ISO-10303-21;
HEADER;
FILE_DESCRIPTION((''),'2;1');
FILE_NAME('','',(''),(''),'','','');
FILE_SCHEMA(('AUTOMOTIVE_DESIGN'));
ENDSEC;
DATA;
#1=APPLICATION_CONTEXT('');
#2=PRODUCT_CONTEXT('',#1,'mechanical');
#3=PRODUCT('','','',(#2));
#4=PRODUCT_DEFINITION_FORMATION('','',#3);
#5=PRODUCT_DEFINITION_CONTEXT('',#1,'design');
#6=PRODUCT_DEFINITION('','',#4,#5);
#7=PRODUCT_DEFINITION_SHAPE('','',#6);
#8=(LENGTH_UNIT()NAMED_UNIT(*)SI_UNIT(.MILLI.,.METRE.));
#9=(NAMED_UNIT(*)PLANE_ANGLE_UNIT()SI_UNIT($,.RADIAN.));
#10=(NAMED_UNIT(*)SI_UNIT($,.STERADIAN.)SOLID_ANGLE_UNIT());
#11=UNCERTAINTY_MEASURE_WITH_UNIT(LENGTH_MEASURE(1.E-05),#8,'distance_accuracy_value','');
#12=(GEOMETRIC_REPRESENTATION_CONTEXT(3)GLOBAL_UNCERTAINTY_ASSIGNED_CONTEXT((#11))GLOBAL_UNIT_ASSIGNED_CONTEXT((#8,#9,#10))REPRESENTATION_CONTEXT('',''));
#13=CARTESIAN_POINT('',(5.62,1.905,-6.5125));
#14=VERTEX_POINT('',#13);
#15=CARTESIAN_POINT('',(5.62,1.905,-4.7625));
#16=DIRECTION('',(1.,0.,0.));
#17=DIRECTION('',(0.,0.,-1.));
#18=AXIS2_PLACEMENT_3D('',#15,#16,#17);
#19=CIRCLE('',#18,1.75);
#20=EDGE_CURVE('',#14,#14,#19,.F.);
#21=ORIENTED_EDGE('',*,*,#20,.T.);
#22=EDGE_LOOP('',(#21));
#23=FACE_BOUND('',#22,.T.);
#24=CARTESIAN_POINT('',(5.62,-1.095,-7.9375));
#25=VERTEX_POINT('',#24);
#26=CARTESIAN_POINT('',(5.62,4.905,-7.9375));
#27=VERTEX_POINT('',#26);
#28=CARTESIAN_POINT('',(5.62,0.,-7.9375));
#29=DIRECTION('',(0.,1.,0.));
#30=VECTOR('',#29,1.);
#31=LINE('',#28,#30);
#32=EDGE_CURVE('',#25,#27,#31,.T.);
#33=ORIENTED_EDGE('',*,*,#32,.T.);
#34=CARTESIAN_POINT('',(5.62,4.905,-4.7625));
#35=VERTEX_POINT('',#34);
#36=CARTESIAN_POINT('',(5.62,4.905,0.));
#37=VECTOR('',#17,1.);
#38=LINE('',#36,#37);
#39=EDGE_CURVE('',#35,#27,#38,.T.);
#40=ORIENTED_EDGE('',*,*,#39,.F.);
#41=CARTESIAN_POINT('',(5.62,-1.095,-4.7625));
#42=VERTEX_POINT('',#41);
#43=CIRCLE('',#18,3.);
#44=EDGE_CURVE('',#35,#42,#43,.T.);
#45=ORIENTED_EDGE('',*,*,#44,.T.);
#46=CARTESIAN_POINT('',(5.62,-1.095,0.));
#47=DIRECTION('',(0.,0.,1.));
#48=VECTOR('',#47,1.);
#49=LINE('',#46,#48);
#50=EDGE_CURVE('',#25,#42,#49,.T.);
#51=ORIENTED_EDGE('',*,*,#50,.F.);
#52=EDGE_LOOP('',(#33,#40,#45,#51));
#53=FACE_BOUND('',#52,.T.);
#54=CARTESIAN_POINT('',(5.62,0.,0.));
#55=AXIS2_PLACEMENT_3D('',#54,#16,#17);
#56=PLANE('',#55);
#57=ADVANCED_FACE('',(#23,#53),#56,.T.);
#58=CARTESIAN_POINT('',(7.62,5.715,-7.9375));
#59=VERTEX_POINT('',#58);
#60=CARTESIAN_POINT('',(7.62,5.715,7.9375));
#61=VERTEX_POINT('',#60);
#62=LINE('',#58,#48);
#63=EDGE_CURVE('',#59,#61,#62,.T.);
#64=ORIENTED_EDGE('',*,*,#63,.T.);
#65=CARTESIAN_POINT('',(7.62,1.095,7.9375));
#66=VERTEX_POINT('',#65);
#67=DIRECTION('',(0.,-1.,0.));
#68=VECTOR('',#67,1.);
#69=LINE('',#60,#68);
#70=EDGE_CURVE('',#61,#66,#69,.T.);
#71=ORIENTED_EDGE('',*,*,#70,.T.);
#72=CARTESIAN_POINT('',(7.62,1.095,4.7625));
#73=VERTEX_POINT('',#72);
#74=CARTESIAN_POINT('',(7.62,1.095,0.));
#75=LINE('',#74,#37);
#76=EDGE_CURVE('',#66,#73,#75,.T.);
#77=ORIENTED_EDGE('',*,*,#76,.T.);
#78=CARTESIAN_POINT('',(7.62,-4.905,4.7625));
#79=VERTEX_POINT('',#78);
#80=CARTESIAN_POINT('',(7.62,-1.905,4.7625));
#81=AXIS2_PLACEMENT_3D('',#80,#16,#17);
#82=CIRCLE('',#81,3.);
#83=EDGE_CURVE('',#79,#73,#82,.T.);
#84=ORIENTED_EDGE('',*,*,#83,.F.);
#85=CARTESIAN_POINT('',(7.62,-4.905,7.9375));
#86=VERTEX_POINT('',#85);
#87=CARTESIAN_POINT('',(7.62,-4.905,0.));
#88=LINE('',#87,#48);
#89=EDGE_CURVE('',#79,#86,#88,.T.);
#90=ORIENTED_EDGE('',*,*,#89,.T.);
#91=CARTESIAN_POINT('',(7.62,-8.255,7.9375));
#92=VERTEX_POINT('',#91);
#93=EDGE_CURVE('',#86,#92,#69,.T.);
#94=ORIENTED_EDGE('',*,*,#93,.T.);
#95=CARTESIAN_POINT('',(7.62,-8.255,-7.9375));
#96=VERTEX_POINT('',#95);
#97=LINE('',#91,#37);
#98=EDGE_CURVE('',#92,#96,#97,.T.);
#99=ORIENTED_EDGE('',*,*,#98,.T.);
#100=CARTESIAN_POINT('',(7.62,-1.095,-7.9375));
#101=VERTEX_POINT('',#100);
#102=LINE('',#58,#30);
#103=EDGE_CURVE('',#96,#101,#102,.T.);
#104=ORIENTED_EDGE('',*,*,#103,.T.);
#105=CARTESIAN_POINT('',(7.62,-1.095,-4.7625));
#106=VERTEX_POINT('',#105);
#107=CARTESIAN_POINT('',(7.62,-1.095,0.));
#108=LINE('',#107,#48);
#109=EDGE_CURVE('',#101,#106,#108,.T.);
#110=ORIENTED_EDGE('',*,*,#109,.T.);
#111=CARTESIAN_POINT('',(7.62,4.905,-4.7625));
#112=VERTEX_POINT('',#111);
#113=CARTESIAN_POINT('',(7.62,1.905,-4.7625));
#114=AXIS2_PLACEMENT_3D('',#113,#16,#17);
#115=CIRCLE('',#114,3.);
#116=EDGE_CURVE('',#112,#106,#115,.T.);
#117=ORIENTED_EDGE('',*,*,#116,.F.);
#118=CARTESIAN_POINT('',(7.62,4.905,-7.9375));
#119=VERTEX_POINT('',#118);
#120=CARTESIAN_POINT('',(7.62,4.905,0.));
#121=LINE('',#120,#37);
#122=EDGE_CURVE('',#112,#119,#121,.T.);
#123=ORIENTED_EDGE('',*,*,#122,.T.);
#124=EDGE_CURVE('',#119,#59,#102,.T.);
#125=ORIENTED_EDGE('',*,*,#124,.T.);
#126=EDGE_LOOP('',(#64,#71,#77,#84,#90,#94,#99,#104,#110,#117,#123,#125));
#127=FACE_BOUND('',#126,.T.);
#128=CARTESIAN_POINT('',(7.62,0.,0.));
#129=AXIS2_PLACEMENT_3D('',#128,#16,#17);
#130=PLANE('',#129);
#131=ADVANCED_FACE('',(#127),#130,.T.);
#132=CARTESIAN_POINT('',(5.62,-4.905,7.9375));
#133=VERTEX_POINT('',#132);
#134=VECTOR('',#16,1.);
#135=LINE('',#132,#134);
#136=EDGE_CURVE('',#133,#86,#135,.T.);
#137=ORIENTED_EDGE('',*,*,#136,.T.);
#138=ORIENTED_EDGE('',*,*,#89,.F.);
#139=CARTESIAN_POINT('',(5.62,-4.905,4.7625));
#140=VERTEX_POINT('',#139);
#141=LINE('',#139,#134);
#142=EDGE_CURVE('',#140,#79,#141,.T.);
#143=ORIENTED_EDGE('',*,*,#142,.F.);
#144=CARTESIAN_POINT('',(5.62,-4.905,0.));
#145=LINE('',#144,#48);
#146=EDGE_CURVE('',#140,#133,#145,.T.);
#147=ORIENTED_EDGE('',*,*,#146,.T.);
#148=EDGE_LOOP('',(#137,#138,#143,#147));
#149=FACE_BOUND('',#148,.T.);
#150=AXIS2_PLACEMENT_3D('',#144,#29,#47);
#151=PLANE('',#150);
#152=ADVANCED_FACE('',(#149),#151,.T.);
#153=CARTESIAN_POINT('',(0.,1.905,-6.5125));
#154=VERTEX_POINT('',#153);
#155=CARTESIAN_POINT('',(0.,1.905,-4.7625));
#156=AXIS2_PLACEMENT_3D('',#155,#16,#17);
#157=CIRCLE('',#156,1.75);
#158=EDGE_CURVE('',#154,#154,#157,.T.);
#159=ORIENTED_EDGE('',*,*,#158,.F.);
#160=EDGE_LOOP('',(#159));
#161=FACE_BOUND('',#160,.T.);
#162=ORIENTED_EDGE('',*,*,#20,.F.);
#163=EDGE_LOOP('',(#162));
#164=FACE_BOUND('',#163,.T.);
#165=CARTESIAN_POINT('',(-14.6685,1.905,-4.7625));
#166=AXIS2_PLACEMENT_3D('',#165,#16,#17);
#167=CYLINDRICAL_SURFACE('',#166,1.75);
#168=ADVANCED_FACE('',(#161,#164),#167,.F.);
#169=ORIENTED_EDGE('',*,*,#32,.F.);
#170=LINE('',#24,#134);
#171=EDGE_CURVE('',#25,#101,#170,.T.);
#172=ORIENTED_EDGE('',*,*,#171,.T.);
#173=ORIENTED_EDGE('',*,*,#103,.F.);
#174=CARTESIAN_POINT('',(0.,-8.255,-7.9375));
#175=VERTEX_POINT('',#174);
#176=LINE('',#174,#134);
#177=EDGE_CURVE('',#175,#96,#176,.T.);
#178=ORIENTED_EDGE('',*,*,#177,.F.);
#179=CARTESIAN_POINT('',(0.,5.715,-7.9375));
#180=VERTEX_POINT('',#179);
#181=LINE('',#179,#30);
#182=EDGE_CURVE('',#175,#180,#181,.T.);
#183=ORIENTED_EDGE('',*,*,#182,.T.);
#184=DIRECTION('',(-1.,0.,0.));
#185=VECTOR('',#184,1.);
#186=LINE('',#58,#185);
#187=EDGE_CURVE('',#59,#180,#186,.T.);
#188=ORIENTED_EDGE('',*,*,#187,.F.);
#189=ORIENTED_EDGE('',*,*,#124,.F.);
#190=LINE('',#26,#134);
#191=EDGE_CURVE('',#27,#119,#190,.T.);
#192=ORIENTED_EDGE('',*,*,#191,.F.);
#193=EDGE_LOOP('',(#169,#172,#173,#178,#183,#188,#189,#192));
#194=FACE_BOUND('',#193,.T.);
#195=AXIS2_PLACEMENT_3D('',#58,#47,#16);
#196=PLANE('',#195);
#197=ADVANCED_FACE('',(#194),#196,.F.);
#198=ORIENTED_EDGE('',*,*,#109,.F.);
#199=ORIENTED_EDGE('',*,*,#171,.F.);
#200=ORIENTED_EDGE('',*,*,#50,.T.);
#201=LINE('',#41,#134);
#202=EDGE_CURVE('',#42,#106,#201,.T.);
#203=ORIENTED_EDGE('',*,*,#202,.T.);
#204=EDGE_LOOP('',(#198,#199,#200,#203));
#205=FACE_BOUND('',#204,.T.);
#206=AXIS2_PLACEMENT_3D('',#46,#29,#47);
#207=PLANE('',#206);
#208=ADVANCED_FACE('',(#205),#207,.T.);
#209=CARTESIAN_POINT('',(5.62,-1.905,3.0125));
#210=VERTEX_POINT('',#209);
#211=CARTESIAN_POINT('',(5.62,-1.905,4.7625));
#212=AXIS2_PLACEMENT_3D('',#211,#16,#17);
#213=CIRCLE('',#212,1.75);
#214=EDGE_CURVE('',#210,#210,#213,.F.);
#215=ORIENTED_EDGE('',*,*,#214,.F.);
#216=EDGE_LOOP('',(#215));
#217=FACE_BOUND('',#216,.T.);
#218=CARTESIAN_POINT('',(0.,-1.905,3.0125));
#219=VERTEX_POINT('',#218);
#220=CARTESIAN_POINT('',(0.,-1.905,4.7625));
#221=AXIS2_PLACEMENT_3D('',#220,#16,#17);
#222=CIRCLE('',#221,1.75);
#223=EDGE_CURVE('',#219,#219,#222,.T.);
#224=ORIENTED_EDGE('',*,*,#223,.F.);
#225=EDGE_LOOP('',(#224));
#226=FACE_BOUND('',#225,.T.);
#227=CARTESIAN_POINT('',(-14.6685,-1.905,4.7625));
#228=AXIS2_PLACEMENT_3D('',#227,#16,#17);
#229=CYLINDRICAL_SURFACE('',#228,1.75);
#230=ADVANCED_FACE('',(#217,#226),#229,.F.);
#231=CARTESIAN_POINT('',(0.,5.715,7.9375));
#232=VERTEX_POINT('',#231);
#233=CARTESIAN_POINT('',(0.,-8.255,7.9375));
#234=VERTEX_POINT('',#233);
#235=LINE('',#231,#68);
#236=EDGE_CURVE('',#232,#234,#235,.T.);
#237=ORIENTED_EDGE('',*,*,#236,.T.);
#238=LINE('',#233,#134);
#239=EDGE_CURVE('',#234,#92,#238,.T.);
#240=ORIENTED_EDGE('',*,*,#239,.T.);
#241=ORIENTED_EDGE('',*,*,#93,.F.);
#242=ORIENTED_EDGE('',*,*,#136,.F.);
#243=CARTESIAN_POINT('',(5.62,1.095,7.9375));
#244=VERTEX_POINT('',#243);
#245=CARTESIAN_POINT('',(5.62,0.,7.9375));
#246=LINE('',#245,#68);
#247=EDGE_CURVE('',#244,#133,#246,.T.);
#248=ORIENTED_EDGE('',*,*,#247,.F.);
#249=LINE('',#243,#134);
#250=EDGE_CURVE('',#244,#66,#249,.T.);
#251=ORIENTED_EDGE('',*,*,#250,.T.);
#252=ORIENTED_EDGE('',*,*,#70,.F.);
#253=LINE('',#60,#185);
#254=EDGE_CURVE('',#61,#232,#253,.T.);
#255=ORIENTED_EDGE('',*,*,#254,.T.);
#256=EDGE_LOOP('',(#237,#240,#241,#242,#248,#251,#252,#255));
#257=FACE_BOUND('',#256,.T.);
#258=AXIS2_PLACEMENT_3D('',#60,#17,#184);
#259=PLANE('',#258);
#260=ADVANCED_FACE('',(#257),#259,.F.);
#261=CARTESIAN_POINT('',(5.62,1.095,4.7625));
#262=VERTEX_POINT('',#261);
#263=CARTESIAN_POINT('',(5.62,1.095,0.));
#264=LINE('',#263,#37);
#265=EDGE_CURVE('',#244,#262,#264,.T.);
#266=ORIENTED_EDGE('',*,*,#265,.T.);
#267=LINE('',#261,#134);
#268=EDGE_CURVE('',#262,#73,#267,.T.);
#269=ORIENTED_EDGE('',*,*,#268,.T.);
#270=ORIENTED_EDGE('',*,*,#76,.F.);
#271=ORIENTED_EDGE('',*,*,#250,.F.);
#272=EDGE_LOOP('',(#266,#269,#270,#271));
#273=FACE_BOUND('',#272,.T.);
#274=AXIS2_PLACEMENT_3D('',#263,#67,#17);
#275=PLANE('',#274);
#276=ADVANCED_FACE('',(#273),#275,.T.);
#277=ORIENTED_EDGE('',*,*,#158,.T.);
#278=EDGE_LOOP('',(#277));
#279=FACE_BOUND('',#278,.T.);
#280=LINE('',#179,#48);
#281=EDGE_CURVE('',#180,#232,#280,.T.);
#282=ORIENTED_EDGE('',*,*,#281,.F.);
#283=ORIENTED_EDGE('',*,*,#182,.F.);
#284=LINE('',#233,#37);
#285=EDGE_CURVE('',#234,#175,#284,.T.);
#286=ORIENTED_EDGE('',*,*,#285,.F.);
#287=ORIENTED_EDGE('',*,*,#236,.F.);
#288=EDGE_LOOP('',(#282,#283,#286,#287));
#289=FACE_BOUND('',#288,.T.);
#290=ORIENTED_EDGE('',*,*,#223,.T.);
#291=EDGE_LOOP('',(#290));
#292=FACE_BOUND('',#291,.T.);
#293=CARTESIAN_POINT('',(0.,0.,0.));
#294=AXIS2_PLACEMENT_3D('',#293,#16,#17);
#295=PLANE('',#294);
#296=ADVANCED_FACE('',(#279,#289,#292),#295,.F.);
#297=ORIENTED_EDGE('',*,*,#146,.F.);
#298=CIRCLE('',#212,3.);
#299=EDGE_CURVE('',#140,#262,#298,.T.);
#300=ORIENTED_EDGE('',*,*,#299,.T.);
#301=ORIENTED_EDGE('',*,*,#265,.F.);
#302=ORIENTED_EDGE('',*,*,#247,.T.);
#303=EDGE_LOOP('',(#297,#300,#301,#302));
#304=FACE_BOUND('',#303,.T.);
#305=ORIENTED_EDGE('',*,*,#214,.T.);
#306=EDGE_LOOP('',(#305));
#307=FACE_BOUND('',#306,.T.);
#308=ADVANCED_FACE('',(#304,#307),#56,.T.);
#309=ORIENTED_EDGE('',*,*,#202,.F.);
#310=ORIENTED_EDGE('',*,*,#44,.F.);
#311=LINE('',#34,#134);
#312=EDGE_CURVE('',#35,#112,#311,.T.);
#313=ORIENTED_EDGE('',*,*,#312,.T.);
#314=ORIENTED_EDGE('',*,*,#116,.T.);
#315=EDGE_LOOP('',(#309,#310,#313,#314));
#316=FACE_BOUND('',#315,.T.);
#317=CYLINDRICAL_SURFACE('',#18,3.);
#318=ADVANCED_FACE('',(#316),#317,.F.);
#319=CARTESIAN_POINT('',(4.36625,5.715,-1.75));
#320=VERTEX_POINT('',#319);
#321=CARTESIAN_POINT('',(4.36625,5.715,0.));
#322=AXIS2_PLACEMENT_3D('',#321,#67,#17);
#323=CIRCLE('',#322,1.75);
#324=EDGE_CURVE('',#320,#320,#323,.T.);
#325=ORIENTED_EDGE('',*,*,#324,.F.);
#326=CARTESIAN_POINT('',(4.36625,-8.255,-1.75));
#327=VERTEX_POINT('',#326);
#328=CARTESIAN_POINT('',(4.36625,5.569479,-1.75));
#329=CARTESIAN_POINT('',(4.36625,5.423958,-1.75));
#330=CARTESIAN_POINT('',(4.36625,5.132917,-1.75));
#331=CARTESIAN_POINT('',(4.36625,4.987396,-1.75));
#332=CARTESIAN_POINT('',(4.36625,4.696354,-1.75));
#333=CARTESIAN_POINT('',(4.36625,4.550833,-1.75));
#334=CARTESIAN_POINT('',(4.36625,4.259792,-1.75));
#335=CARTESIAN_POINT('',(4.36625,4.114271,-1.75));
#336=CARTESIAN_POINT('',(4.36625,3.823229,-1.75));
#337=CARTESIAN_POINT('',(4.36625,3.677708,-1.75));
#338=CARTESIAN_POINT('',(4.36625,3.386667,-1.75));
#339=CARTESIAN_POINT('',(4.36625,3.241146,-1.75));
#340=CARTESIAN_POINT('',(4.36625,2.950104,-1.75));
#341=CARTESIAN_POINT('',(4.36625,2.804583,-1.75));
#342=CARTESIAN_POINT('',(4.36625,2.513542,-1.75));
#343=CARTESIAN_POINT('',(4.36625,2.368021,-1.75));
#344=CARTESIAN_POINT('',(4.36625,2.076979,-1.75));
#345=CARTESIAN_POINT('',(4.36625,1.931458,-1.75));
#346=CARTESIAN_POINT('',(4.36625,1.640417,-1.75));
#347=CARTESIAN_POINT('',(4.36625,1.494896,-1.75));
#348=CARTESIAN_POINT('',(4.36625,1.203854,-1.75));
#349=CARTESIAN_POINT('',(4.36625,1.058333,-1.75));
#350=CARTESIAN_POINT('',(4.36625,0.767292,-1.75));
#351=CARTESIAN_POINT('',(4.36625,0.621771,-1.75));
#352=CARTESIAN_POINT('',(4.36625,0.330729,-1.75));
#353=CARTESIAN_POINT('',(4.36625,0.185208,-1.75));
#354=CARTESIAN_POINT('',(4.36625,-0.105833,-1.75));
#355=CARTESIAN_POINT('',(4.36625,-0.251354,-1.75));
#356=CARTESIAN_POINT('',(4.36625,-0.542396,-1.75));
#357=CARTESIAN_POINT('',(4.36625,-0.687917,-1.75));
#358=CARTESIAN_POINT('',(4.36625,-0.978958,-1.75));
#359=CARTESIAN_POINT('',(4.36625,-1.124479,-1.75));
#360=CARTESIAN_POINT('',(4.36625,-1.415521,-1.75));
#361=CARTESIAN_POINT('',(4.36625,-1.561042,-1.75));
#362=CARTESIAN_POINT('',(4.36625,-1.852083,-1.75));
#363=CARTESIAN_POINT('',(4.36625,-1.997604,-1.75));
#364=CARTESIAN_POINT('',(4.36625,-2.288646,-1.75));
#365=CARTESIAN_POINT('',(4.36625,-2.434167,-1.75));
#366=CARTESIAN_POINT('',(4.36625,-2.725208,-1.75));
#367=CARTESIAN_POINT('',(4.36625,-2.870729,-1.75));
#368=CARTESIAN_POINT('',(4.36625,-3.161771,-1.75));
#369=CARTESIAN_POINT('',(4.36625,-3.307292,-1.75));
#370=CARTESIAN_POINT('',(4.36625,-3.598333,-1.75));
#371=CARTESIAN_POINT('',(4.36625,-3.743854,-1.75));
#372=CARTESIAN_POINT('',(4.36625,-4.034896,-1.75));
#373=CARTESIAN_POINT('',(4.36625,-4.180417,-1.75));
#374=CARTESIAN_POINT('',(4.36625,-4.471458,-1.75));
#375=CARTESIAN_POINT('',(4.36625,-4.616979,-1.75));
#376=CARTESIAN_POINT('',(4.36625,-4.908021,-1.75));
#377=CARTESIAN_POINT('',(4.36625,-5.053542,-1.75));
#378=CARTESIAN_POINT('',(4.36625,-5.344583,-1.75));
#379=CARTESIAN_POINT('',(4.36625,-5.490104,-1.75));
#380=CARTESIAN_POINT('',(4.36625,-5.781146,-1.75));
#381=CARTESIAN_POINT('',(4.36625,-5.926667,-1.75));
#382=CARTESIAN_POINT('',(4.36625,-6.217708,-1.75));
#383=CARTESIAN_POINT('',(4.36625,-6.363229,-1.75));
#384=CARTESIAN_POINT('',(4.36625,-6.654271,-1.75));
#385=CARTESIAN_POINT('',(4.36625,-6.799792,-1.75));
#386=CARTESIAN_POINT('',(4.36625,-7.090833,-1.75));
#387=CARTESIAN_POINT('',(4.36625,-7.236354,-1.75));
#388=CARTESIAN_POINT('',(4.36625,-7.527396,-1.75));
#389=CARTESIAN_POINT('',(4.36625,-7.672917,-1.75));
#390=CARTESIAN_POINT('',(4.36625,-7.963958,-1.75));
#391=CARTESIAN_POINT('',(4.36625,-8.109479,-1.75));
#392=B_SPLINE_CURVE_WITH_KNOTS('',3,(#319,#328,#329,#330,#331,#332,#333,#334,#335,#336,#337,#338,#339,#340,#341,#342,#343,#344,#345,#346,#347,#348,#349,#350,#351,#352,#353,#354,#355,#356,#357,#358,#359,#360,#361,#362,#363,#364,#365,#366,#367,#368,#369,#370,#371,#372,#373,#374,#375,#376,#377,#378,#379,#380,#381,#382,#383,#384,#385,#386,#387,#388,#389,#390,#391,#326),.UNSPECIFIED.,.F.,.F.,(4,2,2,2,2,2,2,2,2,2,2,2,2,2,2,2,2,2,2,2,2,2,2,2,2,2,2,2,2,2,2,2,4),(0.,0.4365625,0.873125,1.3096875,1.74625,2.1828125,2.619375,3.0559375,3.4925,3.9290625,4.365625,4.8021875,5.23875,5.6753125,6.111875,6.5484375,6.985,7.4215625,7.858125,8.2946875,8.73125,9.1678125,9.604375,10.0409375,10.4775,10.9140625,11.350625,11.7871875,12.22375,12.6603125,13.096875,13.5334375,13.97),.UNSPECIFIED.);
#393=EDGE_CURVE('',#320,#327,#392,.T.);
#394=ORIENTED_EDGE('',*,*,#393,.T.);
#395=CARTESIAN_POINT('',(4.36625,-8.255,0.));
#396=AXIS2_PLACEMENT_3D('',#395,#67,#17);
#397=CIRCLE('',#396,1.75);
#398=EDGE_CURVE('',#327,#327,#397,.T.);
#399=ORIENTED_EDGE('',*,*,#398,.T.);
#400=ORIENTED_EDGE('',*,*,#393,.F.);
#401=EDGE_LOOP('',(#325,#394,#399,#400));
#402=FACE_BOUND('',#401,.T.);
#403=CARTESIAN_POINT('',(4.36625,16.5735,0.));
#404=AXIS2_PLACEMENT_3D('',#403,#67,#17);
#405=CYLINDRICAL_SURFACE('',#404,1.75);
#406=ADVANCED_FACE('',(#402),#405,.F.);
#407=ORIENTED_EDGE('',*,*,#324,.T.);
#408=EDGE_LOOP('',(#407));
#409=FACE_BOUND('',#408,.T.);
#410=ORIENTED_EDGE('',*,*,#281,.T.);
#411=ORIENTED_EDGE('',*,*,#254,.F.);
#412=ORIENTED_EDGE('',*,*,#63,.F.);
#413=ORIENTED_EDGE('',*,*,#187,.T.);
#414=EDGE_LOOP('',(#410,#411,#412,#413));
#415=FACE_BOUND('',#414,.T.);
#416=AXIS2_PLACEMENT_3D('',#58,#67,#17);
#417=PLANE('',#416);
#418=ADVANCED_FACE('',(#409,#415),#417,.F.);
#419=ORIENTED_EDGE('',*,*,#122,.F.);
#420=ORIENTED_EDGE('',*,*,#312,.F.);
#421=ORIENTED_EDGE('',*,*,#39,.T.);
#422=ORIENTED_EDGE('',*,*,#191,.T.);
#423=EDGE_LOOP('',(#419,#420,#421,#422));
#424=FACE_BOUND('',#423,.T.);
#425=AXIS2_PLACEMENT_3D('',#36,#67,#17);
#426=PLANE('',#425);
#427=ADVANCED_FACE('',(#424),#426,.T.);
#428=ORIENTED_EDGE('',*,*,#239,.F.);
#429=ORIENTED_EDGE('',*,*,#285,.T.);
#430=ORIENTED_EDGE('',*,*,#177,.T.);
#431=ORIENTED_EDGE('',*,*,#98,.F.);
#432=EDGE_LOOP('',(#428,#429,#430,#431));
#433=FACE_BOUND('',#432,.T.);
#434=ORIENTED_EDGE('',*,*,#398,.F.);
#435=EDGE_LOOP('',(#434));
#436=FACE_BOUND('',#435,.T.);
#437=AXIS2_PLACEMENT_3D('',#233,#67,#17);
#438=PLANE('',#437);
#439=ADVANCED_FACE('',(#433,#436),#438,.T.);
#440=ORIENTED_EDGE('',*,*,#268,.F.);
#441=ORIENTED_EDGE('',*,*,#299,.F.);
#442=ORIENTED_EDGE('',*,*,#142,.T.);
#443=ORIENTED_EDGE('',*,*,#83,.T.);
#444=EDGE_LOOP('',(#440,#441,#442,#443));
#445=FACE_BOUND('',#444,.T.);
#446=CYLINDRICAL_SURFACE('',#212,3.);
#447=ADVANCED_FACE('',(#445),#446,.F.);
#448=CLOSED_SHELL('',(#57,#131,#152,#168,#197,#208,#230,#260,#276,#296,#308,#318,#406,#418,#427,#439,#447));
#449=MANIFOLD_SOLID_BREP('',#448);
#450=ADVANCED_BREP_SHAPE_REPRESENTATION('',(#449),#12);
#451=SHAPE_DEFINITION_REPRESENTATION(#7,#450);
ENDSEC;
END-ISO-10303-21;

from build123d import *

# Parameters (mm, degrees)
SKETCH1_W           = 11.43
SKETCH1_H           = 15.875
BOSS_EXTRUDE1_DEPTH = 7.62
SKETCH3_R           = 1.75
CUT_EXTRUDE1_DEPTH  = 22.2885
SKETCH4_R           = 1.75
CUT_EXTRUDE2_DEPTH  = 22.2885
SKETCH5_R           = 3
SKETCH5_R_2         = 1.75
CUT_EXTRUDE3_DEPTH  = 2
SKETCH6_W           = 2.54
SKETCH6_H           = 15.875
BOSS_EXTRUDE2_DEPTH = 7.62
CUT_EXTRUDE4_START  = -18.796
SKETCH8_R           = 1.75
CUT_EXTRUDE4_DEPTH  = 18.796


with BuildPart() as part:
    # Sketch1 → Boss-Extrude1 (new body)
    with BuildSketch(Plane.YZ):
        Rectangle(SKETCH1_W, SKETCH1_H)
    extrude(amount=BOSS_EXTRUDE1_DEPTH)

    # Sketch3 → Cut-Extrude1 (cut)
    with BuildSketch(Plane.XZ.offset(5.715)):
        with Locations(Location((4.36625, 0, 0), (0, 0, 270))):
            Circle(SKETCH3_R)
    extrude(amount=-CUT_EXTRUDE1_DEPTH, mode=Mode.SUBTRACT)

    # Sketch4 → Cut-Extrude2 (cut)
    with BuildSketch(Plane.YZ.offset(7.62)):
        with Locations(Location((-1.905, 4.7625, 0), (0, 0, 270))):
            Circle(SKETCH4_R)
        with Locations(Location((1.905, -4.7625, 0), (0, 0, 270))):
            Circle(SKETCH4_R)
    extrude(amount=-CUT_EXTRUDE2_DEPTH, mode=Mode.SUBTRACT)

    # Sketch5 → Cut-Extrude3 (cut)
    # profile 1 of 4: a face of its own
    with BuildSketch(Plane.YZ.offset(7.62)):
        with Locations((-1.905, 4.7625)):
            Circle(SKETCH5_R)
        with Locations(Location((-1.905, 4.7625, 0), (0, 0, 270))):
            Circle(SKETCH5_R_2, mode=Mode.SUBTRACT)
    # profile 2 of 4: a face of its own
    with BuildSketch(Plane.YZ.offset(7.62)):
        with BuildLine():
            Line((-4.905, 7.9375), (-4.905, 4.7625))
            ThreePointArc((-4.905, 4.7625), (-1.905, 7.7625), (1.095, 4.7625))
            Line((1.095, 4.7625), (1.095, 7.9375))
            Line((1.095, 7.9375), (-4.905, 7.9375))
        make_face()
    # profile 3 of 4: a face of its own
    with BuildSketch(Plane.YZ.offset(7.62)):
        with Locations((1.905, -4.7625)):
            Circle(SKETCH5_R)
        with Locations(Location((1.905, -4.7625, 0), (0, 0, 270))):
            Circle(SKETCH5_R_2, mode=Mode.SUBTRACT)
    # profile 4 of 4: a face of its own
    with BuildSketch(Plane.YZ.offset(7.62)):
        with BuildLine():
            Line((4.905, -7.9375), (4.905, -4.7625))
            ThreePointArc((4.905, -4.7625), (1.905, -7.7625), (-1.095, -4.7625))
            Line((-1.095, -4.7625), (-1.095, -7.9375))
            Line((-1.095, -7.9375), (4.905, -7.9375))
        make_face()
    extrude(amount=-CUT_EXTRUDE3_DEPTH, mode=Mode.SUBTRACT)

    # Sketch6 → Boss-Extrude2 (add)
    with BuildSketch(Plane.YZ.offset(7.62)):
        with Locations((-6.985, 0)):
            Rectangle(SKETCH6_W, SKETCH6_H)
    extrude(amount=-BOSS_EXTRUDE2_DEPTH)

    # Sketch8 → Cut-Extrude4 (cut)
    with BuildSketch(Plane(origin=(0, 5.715, 0), x_dir=(-1, 0, 0), z_dir=(0, 1, 0)).offset(CUT_EXTRUDE4_START)):
        with Locations(Location((-4.36625, 0, 0), (0, 0, 270))):
            Circle(SKETCH8_R)
    extrude(amount=CUT_EXTRUDE4_DEPTH, mode=Mode.SUBTRACT)


solid = part.part
